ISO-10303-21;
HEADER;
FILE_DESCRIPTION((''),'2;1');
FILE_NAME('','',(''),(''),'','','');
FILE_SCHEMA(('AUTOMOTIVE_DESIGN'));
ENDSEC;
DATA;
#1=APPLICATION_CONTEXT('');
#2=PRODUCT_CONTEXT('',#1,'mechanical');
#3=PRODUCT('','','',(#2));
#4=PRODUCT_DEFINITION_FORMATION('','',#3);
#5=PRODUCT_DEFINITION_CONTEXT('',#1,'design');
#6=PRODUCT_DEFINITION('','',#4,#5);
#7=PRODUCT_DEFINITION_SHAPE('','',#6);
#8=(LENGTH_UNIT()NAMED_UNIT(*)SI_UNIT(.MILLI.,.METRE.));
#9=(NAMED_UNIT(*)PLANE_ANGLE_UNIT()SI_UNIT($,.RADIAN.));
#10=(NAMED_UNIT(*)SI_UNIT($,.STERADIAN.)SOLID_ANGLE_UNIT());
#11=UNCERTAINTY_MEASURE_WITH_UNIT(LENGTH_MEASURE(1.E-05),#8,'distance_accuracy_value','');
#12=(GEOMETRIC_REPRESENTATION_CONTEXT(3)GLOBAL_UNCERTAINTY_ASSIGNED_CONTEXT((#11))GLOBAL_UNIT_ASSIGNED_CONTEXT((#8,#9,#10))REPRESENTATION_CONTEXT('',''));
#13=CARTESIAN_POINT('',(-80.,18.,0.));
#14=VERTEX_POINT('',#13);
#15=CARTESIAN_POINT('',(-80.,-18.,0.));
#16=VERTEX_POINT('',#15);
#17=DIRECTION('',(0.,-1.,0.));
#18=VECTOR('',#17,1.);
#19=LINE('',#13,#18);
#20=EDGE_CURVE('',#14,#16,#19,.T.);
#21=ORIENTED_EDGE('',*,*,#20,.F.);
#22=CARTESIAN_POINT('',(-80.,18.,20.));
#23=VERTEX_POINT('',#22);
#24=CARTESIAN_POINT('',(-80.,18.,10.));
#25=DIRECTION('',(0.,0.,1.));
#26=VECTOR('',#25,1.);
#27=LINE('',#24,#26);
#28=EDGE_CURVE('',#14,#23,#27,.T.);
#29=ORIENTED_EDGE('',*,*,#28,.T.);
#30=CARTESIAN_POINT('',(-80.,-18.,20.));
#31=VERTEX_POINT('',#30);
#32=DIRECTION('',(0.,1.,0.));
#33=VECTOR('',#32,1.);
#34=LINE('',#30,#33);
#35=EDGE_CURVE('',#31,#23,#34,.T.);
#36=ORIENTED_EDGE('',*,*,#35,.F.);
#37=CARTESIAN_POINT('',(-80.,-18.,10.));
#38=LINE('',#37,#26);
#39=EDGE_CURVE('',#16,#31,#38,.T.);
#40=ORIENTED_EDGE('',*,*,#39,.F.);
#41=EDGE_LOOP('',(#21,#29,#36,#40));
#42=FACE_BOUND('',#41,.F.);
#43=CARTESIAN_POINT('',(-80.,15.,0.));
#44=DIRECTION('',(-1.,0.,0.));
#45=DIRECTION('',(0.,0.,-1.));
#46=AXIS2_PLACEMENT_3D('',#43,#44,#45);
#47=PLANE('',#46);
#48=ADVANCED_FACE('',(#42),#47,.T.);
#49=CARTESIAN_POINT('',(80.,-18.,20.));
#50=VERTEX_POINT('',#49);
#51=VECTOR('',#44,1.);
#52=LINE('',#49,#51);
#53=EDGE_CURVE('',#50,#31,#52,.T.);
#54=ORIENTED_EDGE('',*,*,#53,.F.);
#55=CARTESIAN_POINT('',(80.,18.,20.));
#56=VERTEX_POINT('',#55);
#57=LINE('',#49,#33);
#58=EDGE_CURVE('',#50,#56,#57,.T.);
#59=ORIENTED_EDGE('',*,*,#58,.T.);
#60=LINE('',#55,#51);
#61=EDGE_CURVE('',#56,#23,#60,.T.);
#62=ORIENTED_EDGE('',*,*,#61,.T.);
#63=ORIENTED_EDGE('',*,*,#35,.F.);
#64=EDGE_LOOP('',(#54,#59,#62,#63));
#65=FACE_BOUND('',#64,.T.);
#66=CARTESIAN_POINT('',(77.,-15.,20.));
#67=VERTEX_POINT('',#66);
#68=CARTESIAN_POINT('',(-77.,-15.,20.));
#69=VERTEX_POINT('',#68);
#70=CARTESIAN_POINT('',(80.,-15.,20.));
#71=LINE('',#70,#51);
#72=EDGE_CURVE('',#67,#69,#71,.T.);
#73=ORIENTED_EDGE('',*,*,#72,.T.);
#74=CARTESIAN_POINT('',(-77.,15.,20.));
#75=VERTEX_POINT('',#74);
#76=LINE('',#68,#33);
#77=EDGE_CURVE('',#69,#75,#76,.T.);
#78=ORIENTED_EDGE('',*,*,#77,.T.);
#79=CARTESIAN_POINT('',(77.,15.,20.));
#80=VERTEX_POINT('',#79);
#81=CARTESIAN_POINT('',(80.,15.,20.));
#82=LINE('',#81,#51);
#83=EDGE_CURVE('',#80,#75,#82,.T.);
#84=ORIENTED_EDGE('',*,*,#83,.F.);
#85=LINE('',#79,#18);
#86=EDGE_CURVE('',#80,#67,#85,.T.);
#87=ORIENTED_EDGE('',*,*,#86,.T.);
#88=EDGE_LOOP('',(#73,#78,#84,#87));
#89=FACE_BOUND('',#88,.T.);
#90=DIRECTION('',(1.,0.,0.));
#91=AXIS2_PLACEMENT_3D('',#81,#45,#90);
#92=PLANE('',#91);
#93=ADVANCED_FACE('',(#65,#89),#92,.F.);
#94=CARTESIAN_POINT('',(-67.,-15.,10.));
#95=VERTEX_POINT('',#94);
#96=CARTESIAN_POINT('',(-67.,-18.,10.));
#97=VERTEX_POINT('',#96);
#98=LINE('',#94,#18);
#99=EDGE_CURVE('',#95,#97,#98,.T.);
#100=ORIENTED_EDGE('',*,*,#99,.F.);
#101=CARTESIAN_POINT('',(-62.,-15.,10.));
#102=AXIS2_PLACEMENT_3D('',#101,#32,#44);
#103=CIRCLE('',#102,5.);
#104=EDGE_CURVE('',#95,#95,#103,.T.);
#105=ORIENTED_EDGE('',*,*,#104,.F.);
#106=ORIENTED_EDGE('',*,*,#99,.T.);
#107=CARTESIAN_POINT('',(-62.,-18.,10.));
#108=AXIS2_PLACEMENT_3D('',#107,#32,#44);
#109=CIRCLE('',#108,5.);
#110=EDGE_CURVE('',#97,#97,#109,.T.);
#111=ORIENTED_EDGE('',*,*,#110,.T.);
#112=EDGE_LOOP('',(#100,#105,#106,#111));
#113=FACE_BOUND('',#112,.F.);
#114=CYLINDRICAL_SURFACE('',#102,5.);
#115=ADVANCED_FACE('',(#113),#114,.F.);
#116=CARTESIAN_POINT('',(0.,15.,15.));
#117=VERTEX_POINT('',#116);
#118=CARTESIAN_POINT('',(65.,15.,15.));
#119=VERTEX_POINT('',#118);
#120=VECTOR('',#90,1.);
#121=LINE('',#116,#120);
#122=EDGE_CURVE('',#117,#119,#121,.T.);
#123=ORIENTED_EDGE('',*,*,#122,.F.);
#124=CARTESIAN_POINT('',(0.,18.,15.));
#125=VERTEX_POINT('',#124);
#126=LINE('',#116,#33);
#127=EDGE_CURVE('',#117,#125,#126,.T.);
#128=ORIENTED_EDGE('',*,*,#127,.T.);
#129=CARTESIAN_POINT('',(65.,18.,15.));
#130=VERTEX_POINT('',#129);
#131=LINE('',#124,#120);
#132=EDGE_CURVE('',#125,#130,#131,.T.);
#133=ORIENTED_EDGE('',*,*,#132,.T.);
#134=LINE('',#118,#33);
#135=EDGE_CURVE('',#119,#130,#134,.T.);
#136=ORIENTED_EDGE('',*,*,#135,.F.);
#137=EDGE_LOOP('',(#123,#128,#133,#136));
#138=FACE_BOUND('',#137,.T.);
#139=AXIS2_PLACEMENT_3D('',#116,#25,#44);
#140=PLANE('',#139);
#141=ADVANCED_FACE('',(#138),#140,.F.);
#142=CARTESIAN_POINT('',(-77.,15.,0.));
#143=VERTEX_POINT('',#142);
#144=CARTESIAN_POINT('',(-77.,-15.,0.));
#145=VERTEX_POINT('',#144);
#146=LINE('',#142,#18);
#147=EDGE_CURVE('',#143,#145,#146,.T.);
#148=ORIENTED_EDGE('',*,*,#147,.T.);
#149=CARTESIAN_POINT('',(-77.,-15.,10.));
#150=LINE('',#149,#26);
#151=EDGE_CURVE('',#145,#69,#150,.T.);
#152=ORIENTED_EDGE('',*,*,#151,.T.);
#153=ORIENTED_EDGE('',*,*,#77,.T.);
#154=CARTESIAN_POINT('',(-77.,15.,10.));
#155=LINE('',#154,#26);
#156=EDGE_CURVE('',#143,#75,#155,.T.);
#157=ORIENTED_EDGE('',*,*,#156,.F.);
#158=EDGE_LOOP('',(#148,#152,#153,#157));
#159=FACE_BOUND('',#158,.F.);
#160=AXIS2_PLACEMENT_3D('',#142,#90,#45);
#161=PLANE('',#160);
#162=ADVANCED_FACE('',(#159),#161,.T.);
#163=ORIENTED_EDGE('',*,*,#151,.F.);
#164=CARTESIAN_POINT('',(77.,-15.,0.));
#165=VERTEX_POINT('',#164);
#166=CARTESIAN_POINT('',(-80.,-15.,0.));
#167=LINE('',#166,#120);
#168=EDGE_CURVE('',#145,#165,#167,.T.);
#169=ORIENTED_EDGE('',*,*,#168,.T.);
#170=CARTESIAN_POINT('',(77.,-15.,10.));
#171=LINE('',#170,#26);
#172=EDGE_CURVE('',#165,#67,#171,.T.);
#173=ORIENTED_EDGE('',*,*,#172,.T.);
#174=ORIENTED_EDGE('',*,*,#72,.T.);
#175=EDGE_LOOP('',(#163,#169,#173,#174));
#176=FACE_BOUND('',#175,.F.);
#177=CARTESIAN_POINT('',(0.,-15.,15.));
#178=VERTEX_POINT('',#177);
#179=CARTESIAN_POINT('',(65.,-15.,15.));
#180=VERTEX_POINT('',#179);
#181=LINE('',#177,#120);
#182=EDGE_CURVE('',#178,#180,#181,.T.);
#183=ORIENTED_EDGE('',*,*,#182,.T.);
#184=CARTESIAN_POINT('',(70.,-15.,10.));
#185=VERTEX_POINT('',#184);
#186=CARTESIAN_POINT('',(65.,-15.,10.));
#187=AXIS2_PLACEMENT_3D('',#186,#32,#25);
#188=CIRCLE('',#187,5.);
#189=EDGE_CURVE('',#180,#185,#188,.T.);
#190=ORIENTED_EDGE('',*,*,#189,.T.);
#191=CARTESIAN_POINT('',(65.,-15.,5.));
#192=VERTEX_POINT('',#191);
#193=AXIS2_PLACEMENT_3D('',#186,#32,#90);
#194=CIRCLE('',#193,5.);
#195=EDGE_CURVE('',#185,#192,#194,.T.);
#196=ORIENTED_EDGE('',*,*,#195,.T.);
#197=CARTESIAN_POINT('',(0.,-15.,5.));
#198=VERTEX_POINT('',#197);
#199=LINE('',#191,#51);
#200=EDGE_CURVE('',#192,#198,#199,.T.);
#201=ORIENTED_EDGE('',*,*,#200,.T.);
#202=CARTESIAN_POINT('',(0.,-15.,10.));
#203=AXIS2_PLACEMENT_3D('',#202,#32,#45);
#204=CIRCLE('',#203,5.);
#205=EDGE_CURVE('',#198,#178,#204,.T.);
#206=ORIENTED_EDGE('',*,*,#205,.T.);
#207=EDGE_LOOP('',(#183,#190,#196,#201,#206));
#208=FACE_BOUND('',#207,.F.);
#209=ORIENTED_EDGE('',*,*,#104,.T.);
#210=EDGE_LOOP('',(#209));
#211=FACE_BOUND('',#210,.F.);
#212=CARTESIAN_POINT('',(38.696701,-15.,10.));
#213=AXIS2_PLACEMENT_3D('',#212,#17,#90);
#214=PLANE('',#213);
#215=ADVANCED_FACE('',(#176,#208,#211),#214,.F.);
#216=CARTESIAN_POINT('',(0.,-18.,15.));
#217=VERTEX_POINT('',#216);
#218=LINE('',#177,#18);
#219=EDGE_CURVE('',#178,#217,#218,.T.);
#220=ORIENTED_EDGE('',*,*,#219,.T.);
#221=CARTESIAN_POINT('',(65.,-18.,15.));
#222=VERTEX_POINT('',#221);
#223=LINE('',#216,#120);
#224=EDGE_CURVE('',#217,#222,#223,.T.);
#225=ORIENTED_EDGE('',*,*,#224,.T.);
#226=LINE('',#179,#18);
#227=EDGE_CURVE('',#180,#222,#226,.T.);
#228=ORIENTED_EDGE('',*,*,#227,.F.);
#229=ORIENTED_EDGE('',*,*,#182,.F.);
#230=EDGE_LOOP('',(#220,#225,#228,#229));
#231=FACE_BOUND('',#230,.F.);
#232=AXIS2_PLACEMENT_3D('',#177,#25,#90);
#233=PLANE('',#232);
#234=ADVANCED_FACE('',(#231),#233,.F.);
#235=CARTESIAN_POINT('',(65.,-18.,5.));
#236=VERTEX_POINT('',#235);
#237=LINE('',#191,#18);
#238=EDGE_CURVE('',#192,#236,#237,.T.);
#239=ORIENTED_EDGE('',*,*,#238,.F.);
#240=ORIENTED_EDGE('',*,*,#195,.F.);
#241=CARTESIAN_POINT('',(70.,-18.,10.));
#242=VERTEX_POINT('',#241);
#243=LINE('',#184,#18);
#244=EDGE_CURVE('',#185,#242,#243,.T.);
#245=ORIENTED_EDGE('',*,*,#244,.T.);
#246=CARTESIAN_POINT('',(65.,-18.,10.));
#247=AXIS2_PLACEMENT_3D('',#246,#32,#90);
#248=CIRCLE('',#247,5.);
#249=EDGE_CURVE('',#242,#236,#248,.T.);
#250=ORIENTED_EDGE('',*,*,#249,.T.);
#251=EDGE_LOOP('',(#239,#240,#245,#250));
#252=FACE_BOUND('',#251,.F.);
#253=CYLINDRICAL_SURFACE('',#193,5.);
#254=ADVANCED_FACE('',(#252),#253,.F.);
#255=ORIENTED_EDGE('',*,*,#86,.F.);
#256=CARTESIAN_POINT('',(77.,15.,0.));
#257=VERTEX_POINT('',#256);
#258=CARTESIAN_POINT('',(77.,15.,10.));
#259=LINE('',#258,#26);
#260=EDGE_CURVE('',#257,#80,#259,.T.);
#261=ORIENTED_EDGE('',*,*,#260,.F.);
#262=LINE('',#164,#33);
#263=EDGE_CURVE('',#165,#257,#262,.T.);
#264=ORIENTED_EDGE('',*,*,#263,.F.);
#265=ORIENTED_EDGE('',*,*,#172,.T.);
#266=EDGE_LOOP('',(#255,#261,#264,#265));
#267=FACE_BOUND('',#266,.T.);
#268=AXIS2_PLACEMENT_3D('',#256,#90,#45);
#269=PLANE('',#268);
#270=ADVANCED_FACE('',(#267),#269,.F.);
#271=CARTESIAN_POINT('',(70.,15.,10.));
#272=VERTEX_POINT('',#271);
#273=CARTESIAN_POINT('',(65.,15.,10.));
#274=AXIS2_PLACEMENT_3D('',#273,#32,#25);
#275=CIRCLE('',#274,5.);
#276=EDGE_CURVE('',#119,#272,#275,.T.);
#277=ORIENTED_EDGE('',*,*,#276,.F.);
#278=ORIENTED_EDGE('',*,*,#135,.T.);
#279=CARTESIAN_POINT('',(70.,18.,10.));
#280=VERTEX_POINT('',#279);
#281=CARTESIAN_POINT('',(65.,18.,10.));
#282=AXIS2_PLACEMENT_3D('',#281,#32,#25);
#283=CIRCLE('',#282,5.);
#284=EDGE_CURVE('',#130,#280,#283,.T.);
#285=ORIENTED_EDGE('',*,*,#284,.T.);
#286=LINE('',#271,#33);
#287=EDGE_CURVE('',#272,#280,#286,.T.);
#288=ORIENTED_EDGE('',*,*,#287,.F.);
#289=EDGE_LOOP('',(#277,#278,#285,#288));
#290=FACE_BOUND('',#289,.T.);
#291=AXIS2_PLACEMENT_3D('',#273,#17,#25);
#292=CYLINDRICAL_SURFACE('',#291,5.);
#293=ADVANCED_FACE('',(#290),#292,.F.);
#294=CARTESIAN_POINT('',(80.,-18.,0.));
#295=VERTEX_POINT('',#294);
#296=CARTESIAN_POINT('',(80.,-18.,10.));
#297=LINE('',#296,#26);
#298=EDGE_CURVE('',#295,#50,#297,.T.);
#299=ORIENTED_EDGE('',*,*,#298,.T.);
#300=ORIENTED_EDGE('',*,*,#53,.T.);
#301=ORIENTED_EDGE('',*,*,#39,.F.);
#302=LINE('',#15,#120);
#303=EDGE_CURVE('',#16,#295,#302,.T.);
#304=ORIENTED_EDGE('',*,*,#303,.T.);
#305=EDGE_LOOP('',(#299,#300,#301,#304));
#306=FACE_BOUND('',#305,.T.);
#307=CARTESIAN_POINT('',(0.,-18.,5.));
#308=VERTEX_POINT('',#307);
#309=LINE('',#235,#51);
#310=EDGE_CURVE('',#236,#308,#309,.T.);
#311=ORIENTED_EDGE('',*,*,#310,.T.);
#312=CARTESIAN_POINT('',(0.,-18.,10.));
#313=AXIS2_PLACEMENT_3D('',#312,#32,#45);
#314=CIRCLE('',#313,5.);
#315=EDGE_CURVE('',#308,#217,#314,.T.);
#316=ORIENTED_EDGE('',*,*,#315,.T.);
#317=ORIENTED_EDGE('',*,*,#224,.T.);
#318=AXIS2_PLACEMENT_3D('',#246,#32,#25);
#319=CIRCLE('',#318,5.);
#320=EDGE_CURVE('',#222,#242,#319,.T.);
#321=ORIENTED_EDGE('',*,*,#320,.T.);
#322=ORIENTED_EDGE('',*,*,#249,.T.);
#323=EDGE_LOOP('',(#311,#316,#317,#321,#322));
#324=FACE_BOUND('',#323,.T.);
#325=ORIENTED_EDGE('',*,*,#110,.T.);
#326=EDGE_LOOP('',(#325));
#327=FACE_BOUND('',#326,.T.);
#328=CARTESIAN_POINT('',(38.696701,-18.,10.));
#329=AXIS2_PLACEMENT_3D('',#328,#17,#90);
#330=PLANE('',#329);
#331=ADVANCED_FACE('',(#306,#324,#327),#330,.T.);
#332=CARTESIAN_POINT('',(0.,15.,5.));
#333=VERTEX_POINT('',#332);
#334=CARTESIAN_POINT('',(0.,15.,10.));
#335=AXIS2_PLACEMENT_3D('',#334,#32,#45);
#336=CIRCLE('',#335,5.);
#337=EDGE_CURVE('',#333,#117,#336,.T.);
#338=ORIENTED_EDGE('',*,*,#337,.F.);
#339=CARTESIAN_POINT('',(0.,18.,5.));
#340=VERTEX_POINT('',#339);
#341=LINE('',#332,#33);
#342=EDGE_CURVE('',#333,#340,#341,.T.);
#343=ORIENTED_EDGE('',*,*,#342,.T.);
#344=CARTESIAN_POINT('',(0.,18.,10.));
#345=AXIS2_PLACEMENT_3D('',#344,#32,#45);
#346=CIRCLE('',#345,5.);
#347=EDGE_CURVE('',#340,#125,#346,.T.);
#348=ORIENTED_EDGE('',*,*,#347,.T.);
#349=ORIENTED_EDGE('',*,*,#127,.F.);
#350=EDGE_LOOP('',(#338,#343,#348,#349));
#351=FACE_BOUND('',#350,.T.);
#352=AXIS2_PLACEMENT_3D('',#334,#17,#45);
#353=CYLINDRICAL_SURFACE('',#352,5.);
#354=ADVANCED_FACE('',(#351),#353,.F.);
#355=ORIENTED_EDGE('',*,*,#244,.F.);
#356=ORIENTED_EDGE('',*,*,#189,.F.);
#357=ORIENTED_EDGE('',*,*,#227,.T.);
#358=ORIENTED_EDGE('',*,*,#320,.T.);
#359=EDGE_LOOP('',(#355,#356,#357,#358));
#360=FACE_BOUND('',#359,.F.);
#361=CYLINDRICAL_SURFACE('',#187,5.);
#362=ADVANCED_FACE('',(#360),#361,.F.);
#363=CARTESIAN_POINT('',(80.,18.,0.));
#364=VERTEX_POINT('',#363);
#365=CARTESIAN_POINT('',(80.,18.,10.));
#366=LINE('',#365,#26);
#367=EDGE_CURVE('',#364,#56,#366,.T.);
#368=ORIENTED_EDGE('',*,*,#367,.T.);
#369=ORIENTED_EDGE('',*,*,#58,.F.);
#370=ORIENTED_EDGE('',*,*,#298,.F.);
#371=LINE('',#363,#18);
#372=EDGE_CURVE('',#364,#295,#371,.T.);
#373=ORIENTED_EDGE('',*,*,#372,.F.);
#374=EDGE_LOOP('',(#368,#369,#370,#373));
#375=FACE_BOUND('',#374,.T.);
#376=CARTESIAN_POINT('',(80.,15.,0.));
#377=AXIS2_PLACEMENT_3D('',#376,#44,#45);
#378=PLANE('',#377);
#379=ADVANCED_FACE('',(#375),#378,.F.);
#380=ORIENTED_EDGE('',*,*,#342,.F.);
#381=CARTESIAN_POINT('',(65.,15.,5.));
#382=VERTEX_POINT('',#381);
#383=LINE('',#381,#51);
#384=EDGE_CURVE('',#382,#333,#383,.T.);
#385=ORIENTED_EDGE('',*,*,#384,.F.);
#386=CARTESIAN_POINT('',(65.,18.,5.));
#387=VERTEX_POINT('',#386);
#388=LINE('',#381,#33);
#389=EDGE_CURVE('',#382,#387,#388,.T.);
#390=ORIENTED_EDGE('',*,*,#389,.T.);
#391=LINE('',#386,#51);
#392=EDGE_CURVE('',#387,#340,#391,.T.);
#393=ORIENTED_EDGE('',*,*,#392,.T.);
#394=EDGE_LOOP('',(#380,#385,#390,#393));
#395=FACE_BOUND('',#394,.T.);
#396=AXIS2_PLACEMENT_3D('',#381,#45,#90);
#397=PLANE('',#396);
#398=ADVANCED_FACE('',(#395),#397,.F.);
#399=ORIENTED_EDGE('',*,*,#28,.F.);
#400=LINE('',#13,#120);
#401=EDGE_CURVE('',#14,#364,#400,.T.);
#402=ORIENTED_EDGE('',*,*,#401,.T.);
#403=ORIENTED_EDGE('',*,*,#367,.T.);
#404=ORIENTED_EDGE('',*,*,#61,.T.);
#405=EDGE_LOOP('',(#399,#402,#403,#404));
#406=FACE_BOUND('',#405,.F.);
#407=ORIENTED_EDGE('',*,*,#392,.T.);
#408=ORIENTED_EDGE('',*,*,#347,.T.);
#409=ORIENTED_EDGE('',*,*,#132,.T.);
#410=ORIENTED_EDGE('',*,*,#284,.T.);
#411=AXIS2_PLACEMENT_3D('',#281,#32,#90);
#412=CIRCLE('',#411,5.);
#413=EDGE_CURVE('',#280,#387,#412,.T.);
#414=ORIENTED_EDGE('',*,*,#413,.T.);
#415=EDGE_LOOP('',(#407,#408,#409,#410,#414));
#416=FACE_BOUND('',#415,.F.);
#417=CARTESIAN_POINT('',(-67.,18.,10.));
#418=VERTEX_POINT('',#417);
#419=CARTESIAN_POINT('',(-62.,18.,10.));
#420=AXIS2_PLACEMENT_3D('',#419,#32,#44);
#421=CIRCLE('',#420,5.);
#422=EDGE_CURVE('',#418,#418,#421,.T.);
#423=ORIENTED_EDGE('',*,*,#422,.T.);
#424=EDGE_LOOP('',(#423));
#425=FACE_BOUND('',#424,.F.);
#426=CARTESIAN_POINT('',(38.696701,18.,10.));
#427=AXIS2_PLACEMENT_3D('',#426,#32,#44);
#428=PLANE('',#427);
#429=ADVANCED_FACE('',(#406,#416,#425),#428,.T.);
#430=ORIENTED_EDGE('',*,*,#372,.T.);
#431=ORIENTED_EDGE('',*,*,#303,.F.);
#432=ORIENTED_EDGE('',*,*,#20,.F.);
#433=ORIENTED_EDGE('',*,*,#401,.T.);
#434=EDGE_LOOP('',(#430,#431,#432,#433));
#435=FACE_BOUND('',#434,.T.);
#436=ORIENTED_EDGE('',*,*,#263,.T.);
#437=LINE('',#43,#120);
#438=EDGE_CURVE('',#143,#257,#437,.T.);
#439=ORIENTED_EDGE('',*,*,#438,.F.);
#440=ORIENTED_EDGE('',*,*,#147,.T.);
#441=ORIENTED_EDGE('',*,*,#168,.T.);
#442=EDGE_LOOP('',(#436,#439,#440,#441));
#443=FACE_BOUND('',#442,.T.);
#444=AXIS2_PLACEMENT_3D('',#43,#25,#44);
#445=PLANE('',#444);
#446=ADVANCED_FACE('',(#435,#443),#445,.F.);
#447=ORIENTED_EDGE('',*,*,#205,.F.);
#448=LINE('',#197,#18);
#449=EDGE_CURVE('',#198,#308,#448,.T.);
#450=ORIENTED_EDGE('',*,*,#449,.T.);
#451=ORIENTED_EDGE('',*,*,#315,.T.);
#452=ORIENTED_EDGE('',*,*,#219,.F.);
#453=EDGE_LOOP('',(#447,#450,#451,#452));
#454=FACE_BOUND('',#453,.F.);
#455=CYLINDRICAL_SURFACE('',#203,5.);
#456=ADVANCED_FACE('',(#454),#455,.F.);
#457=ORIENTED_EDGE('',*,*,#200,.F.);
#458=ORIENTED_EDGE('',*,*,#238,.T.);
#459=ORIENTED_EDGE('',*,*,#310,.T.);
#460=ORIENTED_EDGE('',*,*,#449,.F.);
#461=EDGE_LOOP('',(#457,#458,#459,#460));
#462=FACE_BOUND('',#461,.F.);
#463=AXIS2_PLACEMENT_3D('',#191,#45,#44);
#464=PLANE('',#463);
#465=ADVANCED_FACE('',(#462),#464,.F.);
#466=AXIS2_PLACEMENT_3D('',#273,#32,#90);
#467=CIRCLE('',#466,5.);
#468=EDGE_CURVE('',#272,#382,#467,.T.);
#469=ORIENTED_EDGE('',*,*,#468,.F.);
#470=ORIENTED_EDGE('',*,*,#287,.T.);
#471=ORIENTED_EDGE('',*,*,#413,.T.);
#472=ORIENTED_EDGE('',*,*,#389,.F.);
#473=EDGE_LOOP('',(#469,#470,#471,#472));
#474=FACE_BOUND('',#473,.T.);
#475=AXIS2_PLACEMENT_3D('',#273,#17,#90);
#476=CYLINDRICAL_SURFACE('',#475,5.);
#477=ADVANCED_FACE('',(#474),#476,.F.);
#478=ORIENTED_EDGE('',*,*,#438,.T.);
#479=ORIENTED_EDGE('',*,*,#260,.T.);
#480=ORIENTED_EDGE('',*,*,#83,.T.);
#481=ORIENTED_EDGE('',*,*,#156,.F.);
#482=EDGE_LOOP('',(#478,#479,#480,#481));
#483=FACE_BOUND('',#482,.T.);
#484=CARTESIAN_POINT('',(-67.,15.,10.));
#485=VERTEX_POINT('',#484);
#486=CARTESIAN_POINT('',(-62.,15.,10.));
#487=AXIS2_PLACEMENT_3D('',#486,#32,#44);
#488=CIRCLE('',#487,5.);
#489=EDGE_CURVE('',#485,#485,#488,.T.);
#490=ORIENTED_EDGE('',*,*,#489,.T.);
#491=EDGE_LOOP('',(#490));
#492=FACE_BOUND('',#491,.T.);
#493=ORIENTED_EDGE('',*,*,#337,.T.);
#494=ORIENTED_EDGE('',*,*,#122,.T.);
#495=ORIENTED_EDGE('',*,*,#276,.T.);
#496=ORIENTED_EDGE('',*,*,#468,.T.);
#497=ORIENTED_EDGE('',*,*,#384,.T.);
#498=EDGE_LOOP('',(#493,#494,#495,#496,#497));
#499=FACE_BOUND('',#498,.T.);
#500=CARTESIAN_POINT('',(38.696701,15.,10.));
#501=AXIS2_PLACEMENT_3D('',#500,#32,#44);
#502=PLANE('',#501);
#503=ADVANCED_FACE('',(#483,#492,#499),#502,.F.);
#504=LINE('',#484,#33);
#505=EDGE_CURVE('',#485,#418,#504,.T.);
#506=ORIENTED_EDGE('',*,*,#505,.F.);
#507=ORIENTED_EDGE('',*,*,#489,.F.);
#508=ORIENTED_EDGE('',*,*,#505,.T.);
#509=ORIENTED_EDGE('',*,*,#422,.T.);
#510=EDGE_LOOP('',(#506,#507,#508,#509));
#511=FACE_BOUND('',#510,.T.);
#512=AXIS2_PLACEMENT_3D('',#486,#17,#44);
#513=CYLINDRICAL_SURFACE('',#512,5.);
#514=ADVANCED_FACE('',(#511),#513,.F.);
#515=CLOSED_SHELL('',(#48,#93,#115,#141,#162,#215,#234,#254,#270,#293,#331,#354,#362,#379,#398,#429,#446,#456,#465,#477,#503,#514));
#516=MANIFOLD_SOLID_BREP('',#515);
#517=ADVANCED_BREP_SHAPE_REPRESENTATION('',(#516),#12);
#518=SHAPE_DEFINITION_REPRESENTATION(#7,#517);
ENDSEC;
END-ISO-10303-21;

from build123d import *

# Parameters (mm, degrees)
F1_W     = 3
F1_H     = 20
F2_DEPTH = 15
F3_DEPTH = 3


with BuildPart() as f2:
    # F1 (on offset) → F2 (new body, through all)
    with BuildSketch(Plane.XZ.offset(15)):
        with Locations((78.5, 10)):
            Rectangle(F1_W, F1_H)
    extrude(amount=-F2_DEPTH)



with BuildPart() as f2b:
    # F1 (on offset) → F2, piece 2 (new body, through all)
    with BuildSketch(Plane.XZ.offset(15)):
        with Locations((-78.5, 10)):
            Rectangle(F1_W, F1_H)
    extrude(amount=-F2_DEPTH)


with BuildPart() as f2_1:
    add(f2.part)

    add(f2b.part)  # F3 merges F2b
    # F1 (on offset) → F3 (join)
    with BuildSketch(Plane.XZ.offset(15)):
        with BuildLine():
            Line((0, 5), (0, 0))
            Line((0, 0), (67, 0))
            Line((67, 0), (77, 0))
            Line((77, 0), (77, 20))
            Line((77, 20), (0, 20))
            Line((0, 20), (0, 15))
            Line((0, 15), (65, 15))
            ThreePointArc((65, 15), (68.5355339059, 13.5355339059), (70, 10))
            ThreePointArc((70, 10), (68.5355339059, 6.4644660941), (65, 5))
            Line((65, 5), (0, 5))
        make_face()
        with BuildLine():
            Line((-67, 10), (-67, 0))
            Line((-67, 0), (0, 0))
            Line((0, 0), (0, 5))
            ThreePointArc((0, 5), (-5, 10), (0, 15))
            Line((0, 15), (0, 20))
            Line((0, 20), (-67, 20))
            Line((-67, 20), (-67, 10))
        make_face()
        with BuildLine():
            ThreePointArc((-57, 10), (-62, 5), (-67, 10))
            ThreePointArc((-67, 10), (-62, 15), (-57, 10))
        make_face(mode=Mode.SUBTRACT)
        Polygon((-77, 20), (-77, 0), (-67, 0), (-67, 10), (-67, 20), align=None)
        with Locations((-78.5, 10)):
            Rectangle(F1_W, F1_H)
        with Locations((78.5, 10)):
            Rectangle(F1_W, F1_H)
    extrude(amount=F3_DEPTH)

    # F4: F2 across plane


with BuildPart() as f2_2:
    add(f2_1.part)
    add(f2_1.part.mirror(Plane.XZ))


solid = f2_2.part
